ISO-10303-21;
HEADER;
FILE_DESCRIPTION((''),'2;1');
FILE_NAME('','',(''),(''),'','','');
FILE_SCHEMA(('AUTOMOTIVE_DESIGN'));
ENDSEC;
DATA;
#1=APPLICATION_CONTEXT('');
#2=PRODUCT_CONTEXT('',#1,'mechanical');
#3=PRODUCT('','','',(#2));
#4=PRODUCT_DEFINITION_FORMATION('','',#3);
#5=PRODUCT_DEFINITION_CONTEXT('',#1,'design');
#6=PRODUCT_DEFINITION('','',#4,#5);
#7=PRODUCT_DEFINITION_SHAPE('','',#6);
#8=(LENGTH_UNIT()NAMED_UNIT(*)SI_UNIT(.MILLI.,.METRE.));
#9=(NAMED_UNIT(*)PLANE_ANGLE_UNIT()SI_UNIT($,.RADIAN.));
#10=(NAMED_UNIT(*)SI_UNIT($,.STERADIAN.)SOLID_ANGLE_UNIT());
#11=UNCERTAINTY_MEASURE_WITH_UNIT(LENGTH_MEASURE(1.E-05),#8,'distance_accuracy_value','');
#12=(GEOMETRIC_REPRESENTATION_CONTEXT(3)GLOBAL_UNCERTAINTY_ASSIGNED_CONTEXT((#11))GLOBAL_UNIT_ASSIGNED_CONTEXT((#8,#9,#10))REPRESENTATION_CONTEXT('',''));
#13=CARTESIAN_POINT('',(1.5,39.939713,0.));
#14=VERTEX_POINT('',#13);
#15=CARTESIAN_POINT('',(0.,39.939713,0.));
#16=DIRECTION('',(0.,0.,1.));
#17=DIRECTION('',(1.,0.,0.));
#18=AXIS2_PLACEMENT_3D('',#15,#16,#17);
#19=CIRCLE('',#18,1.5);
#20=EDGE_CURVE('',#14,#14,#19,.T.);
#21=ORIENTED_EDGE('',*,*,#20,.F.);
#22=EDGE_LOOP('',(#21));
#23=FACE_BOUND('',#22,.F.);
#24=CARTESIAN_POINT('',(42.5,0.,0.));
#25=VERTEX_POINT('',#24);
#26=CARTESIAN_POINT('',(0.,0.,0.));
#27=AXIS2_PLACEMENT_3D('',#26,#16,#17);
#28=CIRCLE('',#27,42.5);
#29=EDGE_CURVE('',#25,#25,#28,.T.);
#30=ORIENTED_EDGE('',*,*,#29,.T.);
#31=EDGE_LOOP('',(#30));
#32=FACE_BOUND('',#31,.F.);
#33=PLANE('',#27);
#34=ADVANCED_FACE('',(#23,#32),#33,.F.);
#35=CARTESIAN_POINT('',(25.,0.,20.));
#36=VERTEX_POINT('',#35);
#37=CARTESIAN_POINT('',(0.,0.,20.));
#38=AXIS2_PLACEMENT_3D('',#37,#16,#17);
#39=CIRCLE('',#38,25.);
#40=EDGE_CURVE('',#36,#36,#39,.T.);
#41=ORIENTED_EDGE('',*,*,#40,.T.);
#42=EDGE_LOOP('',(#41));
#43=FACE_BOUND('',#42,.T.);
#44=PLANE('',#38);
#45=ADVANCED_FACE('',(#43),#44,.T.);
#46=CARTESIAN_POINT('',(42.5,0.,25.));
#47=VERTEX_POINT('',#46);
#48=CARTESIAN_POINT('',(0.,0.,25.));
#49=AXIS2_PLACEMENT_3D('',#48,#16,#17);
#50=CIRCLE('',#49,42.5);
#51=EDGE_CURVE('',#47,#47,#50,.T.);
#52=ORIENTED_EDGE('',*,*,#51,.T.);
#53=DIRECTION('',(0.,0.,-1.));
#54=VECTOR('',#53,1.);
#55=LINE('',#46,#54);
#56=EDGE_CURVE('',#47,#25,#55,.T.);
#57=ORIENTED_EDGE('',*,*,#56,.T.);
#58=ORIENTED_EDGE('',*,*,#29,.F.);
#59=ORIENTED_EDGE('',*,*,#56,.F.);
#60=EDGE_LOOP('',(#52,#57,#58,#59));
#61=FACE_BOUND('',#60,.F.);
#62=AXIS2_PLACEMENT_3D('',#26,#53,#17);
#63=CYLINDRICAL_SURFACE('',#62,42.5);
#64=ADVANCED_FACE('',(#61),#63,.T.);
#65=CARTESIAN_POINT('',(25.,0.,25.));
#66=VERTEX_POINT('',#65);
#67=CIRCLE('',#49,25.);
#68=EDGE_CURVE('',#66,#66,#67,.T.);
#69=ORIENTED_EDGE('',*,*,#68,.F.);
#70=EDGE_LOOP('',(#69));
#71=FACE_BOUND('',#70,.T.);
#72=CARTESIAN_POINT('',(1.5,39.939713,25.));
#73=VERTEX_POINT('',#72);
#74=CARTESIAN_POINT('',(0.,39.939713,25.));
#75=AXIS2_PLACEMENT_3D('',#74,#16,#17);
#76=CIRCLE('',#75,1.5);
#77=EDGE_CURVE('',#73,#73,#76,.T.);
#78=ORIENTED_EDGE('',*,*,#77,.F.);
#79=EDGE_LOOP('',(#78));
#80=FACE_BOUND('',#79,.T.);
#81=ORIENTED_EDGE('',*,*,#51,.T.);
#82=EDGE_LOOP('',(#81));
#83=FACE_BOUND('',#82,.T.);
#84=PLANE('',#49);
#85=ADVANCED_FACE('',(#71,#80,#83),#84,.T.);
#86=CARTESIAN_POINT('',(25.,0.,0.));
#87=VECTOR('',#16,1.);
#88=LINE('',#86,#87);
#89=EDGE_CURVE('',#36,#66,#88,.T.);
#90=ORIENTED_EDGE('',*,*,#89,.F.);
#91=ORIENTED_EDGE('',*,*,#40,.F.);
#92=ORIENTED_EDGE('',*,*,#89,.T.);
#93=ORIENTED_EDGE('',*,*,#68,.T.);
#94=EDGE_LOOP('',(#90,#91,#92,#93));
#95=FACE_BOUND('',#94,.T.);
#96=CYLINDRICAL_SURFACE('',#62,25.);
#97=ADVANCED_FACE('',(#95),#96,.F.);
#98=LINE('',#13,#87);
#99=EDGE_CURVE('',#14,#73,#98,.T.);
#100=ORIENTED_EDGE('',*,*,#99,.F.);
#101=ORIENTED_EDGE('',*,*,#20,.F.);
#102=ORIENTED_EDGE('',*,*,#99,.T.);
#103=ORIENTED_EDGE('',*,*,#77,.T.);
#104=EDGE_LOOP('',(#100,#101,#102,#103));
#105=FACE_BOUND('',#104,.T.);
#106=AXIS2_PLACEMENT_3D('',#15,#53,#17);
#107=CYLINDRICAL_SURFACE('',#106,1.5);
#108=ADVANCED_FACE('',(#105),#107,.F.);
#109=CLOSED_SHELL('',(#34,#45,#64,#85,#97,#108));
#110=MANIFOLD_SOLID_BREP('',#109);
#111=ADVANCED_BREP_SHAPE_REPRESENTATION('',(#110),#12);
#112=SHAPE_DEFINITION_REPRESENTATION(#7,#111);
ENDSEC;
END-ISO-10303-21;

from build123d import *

# Parameters (mm, degrees)
F0_R     = 42.5
F0_R_2   = 25
F0_R_3   = 1.5
F1_DEPTH = 5
F2_DEPTH = 20
F3_DEPTH = 25


with BuildPart() as f1:
    # F0 (on Top) → F1 (new body)
    with BuildSketch(Plane.XY):
        Circle(F0_R)
        Circle(F0_R_2, mode=Mode.SUBTRACT)
        with Locations((0, 39.939713)):
            Circle(F0_R_3, mode=Mode.SUBTRACT)
        Circle(F0_R_2)
    extrude(amount=F1_DEPTH)

    # F0 (on Top) → F2 (join)
    with BuildSketch(Plane.XY):
        Circle(F0_R_2)
    extrude(amount=F2_DEPTH)

    # F0 (on Top) → F3 (join)
    with BuildSketch(Plane.XY):
        Circle(F0_R)
        Circle(F0_R_2, mode=Mode.SUBTRACT)
        with Locations((0, 39.939713)):
            Circle(F0_R_3, mode=Mode.SUBTRACT)
    extrude(amount=F3_DEPTH)


solid = f1.part
